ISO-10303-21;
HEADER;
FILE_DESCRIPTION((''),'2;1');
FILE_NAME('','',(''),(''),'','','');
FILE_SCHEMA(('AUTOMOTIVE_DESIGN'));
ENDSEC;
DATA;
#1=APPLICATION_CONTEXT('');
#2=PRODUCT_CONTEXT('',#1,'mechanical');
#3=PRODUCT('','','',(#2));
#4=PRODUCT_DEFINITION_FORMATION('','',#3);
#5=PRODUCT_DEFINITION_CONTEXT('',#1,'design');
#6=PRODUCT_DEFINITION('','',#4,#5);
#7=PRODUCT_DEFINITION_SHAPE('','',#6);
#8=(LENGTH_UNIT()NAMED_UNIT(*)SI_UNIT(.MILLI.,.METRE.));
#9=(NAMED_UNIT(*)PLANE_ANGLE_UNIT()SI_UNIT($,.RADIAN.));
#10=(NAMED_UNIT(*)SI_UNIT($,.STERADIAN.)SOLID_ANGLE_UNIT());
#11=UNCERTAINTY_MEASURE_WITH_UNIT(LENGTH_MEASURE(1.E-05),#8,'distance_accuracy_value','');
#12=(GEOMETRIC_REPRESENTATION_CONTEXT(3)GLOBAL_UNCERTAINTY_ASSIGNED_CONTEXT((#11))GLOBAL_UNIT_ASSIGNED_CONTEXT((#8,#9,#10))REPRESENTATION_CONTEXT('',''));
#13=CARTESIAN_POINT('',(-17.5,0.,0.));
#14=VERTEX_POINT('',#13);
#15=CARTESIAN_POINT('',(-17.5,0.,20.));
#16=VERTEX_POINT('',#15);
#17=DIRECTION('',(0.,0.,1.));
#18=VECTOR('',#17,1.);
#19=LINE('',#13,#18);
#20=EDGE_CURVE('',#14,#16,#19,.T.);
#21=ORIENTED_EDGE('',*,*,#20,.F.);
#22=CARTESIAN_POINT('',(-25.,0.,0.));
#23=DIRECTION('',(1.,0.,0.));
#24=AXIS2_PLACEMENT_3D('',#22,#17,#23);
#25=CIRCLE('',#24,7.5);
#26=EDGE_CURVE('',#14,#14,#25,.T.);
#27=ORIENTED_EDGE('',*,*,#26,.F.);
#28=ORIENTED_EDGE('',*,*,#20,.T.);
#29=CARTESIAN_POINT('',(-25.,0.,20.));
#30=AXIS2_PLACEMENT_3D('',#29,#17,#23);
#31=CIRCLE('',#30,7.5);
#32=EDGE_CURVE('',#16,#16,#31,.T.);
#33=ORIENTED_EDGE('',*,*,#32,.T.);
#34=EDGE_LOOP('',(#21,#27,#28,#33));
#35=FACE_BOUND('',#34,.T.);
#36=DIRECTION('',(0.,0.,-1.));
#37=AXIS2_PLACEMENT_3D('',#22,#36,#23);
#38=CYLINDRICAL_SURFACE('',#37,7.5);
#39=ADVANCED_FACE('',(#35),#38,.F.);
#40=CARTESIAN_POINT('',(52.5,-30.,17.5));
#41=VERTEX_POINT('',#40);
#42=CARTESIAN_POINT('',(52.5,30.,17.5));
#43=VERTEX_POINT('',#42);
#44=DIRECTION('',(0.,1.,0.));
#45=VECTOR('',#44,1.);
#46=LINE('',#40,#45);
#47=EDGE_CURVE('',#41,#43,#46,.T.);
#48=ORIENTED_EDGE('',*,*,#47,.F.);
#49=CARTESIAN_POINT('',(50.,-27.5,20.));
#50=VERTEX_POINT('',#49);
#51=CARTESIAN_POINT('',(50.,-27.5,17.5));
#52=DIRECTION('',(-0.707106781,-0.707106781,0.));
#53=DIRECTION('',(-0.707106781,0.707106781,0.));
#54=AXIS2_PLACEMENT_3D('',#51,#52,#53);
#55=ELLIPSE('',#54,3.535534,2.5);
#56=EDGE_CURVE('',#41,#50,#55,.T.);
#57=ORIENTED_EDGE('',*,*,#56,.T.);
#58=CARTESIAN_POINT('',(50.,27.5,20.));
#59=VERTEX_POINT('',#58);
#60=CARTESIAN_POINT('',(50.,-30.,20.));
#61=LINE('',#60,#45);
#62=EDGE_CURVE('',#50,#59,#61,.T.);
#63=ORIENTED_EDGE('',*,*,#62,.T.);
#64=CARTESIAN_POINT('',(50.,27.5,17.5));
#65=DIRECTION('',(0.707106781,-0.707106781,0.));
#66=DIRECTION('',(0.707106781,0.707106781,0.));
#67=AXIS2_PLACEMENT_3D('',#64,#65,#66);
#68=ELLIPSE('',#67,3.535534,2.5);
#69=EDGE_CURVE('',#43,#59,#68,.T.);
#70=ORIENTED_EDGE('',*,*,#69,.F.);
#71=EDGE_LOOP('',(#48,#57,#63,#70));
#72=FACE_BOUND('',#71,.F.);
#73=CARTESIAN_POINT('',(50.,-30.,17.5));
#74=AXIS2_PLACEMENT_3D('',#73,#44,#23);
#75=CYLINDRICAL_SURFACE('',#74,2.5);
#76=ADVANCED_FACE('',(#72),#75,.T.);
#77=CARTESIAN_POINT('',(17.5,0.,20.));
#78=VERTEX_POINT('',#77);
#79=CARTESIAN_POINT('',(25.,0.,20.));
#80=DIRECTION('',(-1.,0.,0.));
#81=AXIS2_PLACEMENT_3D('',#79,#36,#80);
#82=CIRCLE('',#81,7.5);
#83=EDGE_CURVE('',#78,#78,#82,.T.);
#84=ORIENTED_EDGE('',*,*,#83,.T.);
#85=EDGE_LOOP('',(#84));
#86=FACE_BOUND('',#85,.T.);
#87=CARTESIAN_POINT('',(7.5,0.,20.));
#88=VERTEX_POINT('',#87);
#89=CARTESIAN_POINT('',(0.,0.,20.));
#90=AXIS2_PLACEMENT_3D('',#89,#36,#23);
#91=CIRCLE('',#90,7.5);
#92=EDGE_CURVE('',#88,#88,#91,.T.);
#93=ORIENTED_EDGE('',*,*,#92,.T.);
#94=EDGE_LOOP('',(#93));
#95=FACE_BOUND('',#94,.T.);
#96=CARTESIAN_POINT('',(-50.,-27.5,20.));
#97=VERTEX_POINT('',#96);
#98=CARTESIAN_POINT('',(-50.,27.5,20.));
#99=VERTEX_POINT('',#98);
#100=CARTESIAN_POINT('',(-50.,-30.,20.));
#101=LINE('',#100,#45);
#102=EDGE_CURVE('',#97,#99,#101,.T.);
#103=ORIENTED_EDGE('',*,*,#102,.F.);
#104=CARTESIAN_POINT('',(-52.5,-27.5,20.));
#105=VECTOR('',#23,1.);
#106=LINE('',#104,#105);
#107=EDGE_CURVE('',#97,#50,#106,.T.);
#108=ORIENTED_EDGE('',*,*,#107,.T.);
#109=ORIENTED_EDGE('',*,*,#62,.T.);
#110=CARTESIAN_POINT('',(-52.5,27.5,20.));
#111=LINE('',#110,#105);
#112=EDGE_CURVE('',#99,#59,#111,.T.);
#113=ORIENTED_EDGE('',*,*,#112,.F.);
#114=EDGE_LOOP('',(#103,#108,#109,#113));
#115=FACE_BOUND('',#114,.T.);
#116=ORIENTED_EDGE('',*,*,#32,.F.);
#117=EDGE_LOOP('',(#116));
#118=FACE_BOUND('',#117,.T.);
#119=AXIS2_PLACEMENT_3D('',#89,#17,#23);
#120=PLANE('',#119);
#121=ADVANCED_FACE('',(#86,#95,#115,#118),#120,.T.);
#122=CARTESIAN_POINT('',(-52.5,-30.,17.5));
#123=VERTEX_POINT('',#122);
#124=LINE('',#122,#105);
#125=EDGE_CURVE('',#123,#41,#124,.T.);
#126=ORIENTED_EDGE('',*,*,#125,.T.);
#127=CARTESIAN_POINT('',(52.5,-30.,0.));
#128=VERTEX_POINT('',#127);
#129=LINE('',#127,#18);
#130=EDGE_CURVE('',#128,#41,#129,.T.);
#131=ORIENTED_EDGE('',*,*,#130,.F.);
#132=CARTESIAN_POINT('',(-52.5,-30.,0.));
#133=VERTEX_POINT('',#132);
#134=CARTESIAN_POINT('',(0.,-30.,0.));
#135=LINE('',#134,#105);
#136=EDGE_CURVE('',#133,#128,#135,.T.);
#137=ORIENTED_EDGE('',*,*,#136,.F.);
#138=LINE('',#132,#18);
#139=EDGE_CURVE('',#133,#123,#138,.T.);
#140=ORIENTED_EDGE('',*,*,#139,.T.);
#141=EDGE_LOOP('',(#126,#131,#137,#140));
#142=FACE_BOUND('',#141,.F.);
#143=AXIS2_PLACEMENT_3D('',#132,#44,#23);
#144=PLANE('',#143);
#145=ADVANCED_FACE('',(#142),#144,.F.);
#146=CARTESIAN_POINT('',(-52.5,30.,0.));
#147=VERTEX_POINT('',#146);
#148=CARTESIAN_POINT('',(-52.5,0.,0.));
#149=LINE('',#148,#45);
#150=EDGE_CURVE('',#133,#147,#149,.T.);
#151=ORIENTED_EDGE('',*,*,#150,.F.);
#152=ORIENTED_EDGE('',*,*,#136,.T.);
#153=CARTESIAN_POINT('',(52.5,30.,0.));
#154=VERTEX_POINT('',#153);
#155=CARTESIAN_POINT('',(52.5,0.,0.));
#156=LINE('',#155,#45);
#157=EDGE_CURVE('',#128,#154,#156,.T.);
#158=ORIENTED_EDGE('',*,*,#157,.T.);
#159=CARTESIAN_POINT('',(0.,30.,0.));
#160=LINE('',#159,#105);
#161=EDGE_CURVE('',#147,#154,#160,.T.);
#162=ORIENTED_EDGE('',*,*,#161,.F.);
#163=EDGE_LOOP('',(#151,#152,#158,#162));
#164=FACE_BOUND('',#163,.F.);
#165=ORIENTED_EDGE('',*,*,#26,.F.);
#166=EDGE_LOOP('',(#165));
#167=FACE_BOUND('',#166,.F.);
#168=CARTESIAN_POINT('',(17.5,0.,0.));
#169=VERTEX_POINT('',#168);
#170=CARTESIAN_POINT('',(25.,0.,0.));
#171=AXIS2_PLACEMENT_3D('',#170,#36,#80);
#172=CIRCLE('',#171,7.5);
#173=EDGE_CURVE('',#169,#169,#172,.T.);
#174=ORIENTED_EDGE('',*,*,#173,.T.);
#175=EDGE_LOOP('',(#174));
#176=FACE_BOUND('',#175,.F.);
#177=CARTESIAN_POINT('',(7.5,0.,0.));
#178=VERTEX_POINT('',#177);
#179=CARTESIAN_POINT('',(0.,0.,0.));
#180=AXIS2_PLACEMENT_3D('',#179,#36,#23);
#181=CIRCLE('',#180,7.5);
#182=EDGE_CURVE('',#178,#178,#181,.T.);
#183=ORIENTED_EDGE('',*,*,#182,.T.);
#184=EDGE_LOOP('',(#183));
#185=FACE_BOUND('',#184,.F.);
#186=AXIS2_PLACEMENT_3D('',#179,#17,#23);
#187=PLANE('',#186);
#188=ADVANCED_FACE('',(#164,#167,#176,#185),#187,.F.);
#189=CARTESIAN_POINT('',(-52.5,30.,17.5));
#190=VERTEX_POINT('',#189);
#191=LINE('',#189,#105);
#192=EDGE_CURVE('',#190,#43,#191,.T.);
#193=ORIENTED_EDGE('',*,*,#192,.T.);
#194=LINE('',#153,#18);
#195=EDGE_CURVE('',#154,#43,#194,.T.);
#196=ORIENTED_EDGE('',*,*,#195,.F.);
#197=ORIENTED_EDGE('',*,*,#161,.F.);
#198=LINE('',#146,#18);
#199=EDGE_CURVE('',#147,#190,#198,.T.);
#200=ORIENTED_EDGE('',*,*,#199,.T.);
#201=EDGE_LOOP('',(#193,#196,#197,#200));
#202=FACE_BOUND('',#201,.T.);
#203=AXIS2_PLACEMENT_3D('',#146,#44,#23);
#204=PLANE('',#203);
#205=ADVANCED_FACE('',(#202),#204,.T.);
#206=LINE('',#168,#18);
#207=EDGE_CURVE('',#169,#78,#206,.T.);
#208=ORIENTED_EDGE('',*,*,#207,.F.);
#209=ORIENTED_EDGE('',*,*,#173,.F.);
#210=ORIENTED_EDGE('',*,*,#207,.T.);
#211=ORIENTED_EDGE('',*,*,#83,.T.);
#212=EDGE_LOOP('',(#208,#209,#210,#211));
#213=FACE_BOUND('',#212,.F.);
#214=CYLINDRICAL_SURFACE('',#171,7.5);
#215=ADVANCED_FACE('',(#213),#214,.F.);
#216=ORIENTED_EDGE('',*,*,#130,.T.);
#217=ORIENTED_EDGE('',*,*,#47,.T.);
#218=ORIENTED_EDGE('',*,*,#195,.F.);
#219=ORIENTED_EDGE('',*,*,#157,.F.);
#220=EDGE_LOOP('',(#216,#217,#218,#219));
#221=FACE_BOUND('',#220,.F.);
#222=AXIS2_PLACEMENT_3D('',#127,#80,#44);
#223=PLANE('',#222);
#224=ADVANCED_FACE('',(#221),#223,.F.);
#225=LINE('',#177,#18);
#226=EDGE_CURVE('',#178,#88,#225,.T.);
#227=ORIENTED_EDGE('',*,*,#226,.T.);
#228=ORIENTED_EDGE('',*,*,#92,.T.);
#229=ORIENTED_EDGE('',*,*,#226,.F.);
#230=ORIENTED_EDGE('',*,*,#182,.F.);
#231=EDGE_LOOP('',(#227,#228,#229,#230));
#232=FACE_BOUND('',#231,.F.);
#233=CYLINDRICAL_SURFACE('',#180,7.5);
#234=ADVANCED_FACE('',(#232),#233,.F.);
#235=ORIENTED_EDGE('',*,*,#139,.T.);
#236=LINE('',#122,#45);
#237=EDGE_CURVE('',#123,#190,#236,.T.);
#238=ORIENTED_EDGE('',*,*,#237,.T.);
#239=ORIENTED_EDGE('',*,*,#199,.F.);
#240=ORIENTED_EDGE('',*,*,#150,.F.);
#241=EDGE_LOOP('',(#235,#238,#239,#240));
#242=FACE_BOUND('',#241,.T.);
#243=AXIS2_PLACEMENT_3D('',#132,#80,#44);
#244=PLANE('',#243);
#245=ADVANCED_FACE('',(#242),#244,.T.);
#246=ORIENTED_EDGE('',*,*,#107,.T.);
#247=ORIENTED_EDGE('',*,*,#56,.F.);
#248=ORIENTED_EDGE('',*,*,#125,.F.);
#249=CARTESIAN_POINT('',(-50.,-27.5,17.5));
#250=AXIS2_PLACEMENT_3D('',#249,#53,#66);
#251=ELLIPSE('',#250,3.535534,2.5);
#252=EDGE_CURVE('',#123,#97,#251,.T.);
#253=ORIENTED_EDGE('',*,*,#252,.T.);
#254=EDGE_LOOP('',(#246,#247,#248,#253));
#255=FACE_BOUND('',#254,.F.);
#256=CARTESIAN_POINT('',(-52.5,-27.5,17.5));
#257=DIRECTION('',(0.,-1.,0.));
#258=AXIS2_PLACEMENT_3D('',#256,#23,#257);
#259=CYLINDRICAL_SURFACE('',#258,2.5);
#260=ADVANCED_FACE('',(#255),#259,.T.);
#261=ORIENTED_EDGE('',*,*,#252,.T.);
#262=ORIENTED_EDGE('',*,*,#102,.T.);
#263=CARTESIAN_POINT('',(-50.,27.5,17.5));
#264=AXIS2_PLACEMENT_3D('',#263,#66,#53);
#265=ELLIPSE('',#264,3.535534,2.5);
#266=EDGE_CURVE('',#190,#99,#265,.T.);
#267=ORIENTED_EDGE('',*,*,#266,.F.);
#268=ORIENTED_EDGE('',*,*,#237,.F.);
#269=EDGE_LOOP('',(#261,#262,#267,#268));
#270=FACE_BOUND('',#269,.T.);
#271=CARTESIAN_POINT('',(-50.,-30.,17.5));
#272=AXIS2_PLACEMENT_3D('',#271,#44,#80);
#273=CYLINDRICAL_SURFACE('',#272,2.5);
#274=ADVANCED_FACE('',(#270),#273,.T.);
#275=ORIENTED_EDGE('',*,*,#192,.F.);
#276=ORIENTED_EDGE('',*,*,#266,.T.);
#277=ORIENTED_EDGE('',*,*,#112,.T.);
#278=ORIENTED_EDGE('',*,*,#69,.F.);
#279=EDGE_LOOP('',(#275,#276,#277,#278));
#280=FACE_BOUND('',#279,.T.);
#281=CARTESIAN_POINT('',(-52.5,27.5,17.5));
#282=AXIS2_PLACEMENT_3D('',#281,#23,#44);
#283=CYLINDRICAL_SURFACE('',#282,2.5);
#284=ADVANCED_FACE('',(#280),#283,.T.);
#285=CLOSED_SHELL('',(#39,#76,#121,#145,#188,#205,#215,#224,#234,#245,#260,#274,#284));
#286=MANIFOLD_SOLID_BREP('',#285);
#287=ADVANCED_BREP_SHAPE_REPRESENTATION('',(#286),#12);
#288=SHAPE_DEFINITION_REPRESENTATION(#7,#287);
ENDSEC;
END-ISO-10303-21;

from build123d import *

# Parameters (mm, degrees)
F0_W     = 105
F0_H     = 60
F0_R     = 7.5
F1_DEPTH = 20
F2_R     = 2.5


with BuildPart() as f1:
    # F0 (on Top) → F1 (new body)
    with BuildSketch(Plane.XY):
        Rectangle(F0_W, F0_H)
        with Locations((-25, 0)):
            Circle(F0_R, mode=Mode.SUBTRACT)
        with BuildLine():
            ThreePointArc((-7.5, 0), (0, 7.5), (7.5, 0))
            ThreePointArc((7.5, 0), (0, -7.5), (-7.5, 0))
        make_face(mode=Mode.SUBTRACT)
        with BuildLine():
            ThreePointArc((32.5, 0), (25, -7.5), (17.5, 0))
            ThreePointArc((17.5, 0), (25, 7.5), (32.5, 0))
        make_face(mode=Mode.SUBTRACT)
    extrude(amount=F1_DEPTH)

    # F2
    f2_edges = [f1.edges().sort_by_distance(p)[0] for p in [
        (-52.5, 0, 20),
        (0, 30, 20),
        (52.5, 0, 20),
        (0, -30, 20),
    ]]
    fillet(f2_edges, radius=F2_R)


solid = f1.part
